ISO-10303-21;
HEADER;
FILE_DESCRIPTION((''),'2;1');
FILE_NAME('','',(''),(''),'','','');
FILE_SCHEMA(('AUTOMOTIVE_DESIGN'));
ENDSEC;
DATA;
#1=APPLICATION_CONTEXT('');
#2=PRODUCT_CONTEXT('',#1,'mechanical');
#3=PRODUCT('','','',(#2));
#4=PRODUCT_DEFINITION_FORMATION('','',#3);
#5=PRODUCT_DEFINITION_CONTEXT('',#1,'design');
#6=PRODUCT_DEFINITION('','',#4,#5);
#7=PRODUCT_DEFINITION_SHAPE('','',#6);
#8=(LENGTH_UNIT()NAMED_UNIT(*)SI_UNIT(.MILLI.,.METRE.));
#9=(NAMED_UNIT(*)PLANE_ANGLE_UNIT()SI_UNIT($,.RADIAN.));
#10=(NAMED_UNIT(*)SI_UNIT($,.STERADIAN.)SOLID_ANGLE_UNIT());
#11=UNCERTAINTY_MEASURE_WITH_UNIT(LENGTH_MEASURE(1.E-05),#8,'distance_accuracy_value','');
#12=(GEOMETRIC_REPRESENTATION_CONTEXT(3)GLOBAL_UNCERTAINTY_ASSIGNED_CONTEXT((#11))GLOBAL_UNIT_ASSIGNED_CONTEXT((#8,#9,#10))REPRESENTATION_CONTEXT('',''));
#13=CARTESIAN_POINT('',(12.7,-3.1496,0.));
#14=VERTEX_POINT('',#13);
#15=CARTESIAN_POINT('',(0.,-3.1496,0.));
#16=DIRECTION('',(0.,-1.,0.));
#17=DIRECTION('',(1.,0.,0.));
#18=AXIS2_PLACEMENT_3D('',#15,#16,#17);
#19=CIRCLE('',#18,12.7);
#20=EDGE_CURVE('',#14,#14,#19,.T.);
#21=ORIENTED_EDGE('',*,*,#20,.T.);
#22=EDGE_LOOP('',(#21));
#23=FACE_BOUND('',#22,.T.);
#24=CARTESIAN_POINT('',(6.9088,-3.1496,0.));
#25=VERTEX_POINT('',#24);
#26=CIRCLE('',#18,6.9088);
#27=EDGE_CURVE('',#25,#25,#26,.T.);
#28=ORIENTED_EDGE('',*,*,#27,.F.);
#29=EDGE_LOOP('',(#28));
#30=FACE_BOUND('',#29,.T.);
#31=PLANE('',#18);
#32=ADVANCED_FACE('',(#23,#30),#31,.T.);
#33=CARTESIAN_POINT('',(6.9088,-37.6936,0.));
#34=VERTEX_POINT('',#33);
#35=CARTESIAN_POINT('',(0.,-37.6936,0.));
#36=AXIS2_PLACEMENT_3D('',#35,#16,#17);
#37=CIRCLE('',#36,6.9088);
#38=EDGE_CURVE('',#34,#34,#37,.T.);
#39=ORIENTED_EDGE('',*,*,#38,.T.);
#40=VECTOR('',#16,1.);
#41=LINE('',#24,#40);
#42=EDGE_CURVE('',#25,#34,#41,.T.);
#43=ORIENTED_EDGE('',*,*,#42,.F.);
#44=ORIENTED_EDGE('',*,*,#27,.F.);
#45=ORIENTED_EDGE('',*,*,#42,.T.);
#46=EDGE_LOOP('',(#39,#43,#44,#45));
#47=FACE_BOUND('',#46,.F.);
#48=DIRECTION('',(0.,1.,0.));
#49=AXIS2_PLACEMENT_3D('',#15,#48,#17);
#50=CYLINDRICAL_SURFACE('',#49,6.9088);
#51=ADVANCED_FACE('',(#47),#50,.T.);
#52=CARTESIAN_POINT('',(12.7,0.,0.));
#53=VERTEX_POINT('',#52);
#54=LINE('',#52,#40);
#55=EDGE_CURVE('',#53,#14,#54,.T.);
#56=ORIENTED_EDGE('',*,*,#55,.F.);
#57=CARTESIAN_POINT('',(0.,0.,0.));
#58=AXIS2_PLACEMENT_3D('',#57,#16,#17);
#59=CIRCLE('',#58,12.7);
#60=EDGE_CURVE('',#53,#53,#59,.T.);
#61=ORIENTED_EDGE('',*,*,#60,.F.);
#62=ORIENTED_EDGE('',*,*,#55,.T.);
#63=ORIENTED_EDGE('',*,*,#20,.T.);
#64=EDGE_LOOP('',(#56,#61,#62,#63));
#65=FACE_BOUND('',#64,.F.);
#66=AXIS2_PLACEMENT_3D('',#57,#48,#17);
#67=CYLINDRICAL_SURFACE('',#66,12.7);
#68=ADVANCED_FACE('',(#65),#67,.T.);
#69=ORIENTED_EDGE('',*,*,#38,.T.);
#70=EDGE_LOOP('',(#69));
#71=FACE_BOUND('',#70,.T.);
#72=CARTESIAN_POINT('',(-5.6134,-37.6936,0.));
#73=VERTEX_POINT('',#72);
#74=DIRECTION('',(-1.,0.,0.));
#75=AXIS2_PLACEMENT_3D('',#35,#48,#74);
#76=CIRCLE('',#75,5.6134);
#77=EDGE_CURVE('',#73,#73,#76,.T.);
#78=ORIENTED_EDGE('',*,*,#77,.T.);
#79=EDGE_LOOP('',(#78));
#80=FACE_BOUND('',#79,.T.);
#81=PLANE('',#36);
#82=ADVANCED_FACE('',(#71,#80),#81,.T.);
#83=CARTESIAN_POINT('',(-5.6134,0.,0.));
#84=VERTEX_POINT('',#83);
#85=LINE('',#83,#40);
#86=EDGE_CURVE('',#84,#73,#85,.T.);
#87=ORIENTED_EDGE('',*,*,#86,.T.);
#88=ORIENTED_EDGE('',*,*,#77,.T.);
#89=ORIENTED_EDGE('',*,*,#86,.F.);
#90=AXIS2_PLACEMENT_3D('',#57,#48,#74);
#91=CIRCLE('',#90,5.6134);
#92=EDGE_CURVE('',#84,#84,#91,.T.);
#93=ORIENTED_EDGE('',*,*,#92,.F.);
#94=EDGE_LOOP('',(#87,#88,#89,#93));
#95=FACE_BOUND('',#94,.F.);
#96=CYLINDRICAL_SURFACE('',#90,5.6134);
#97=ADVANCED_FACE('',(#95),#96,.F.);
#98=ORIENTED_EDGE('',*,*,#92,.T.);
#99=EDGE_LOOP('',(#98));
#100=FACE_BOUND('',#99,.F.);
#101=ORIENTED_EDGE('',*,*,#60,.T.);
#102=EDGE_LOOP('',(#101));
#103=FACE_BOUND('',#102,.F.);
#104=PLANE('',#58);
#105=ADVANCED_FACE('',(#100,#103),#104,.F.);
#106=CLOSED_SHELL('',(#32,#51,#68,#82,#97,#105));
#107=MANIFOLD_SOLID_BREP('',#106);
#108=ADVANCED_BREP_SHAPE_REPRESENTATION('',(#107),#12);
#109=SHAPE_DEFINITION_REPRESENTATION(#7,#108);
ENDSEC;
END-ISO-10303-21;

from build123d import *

# Parameters (mm, degrees)
F0_R     = 12.7
F1_DEPTH = 3.1496
F2_R     = 6.9088
F3_DEPTH = 34.544
F4_R     = 5.6134
F5_DEPTH = 37.6946


with BuildPart() as f1:
    # F0 (on Front) → F1 (new body)
    with BuildSketch(Plane.XZ):
        Circle(F0_R)
    extrude(amount=F1_DEPTH)

    # F2 (on face) → F3 (join)
    with BuildSketch(Plane.XZ.offset(3.1496)):
        Circle(F2_R)
    extrude(amount=F3_DEPTH)

    # F4 (on face) → F5 (cut, through all)
    with BuildSketch(Plane(origin=(0, 0, 0), x_dir=(-1, 0, 0), z_dir=(0, 1, 0))):
        Circle(F4_R)
    extrude(amount=-F5_DEPTH, mode=Mode.SUBTRACT)


solid = f1.part
